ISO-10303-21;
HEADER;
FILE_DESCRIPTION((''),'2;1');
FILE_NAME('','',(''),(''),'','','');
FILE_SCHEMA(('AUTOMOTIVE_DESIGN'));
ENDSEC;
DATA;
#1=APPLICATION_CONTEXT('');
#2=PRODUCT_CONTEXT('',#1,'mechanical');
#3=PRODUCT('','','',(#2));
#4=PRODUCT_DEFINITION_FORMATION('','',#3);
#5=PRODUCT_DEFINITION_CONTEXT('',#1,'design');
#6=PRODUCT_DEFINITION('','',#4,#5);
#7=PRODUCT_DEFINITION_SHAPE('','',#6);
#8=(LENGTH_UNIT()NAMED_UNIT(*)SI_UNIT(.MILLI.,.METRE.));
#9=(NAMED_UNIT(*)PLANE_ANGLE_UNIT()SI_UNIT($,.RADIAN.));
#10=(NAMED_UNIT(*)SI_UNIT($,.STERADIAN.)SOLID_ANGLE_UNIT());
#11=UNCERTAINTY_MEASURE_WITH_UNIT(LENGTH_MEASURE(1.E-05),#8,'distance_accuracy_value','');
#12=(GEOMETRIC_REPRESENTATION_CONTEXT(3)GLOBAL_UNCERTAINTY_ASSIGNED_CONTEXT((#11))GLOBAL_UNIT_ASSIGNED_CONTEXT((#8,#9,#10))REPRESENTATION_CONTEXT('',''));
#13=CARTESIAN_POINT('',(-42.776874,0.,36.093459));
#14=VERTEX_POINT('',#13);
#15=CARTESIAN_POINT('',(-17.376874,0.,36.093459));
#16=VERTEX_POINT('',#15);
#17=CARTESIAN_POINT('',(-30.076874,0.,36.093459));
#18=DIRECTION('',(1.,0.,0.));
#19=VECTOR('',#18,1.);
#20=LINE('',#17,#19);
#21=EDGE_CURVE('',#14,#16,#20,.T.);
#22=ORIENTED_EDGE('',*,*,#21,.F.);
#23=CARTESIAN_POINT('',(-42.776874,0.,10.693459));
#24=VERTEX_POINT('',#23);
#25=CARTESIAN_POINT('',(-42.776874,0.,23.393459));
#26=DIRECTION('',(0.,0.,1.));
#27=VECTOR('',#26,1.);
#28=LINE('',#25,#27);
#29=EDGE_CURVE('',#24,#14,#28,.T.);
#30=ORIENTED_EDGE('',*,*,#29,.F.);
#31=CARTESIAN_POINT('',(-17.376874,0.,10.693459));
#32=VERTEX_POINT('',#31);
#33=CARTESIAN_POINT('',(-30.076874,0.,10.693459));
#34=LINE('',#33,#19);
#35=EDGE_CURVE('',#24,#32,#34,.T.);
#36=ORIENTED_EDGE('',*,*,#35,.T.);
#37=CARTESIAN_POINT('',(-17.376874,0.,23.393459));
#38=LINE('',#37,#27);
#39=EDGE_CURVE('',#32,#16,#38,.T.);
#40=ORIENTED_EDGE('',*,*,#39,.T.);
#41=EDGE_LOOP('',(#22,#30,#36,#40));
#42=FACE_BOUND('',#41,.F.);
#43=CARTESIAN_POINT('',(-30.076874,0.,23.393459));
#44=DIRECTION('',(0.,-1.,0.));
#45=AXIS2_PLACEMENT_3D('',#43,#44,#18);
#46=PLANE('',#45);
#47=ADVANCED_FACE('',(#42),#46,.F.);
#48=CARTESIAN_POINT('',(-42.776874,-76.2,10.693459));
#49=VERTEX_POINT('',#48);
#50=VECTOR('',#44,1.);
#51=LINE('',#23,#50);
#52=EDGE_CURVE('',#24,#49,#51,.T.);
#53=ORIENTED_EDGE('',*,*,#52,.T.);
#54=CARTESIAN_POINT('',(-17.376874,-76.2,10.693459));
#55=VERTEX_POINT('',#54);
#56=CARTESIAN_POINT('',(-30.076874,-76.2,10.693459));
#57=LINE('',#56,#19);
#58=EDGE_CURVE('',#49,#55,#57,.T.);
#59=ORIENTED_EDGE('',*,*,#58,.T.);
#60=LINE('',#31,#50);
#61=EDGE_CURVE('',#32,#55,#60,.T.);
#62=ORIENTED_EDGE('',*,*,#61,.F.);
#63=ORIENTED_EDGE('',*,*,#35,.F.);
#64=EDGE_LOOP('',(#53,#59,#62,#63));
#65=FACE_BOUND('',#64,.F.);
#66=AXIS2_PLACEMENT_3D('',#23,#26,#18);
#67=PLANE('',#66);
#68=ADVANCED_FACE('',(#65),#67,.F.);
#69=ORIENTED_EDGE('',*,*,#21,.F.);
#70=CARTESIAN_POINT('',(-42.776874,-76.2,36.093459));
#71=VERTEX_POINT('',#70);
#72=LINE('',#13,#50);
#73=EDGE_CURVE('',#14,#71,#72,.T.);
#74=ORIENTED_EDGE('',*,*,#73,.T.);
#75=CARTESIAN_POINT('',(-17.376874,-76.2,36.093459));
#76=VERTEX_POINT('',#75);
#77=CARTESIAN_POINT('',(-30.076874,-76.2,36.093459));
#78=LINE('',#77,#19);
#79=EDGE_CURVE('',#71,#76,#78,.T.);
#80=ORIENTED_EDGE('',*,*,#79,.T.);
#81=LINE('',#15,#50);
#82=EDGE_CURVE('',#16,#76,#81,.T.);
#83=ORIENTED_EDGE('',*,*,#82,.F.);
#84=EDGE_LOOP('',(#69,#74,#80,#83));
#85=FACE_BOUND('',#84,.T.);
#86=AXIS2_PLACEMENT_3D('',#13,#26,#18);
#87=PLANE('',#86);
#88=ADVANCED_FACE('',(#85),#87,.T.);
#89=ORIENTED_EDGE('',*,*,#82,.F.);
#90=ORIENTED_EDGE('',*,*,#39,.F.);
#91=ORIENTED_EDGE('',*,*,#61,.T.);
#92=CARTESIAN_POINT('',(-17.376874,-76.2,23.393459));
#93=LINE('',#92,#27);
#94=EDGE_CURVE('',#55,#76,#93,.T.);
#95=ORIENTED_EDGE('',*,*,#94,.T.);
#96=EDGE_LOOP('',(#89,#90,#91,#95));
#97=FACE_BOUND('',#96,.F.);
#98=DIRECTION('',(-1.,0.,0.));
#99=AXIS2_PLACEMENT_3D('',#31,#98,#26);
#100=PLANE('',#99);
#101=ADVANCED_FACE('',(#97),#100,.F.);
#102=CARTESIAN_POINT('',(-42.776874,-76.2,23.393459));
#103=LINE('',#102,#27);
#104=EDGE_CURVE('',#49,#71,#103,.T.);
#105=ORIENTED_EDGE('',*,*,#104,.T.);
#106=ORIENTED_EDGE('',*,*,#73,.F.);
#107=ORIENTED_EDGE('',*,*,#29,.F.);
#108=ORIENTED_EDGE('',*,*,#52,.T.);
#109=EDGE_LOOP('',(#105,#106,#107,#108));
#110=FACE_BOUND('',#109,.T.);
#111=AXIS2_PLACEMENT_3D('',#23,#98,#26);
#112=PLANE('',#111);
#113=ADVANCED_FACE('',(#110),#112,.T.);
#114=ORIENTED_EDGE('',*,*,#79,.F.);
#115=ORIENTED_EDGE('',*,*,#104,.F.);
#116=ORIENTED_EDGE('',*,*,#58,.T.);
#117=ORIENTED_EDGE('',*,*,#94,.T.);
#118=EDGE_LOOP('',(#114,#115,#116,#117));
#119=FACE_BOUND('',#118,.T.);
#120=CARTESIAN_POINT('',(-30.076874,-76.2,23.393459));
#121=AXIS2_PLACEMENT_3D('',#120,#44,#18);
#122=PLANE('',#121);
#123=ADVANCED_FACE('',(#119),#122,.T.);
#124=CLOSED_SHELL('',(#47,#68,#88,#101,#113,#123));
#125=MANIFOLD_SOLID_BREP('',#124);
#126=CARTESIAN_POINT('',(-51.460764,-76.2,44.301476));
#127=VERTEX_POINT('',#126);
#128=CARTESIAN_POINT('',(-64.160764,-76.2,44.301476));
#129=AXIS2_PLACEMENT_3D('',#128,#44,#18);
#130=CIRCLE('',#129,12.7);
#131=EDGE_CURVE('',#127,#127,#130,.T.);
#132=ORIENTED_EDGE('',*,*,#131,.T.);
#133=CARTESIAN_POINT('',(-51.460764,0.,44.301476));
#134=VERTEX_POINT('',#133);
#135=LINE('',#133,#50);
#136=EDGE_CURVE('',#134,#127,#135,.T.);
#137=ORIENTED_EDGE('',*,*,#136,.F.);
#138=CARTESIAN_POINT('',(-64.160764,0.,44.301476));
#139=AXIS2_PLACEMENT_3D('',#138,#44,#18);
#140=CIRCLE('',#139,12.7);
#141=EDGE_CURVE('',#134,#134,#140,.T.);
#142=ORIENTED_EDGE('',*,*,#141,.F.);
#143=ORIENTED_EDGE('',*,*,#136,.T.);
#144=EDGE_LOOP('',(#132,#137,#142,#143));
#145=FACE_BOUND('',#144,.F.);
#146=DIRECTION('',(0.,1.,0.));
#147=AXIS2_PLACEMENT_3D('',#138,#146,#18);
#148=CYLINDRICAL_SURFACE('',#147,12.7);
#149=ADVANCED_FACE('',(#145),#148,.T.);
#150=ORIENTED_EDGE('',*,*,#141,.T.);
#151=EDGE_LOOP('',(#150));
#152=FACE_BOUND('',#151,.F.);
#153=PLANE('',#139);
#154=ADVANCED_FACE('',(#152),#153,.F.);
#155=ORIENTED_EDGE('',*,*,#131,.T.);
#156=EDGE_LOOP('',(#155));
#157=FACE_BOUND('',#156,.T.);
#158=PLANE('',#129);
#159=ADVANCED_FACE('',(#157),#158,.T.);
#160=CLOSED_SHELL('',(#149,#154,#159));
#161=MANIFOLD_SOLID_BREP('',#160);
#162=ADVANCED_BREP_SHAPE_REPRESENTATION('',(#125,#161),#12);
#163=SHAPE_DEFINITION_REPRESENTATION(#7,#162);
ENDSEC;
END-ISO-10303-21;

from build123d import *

# Parameters (mm, degrees)
F0_R     = 12.7
F0_W     = 25.4
F0_H     = 25.4
F1_DEPTH = 76.2


with BuildPart() as f1:
    # F0 (on Front) → F1 (new body)
    with BuildSketch(Plane.XZ):
        with Locations((-64.160764, 44.301476)):
            Circle(F0_R)
        with Locations((-30.076874, 23.393459)):
            Rectangle(F0_W, F0_H)
    extrude(amount=F1_DEPTH)


solid = f1.part
